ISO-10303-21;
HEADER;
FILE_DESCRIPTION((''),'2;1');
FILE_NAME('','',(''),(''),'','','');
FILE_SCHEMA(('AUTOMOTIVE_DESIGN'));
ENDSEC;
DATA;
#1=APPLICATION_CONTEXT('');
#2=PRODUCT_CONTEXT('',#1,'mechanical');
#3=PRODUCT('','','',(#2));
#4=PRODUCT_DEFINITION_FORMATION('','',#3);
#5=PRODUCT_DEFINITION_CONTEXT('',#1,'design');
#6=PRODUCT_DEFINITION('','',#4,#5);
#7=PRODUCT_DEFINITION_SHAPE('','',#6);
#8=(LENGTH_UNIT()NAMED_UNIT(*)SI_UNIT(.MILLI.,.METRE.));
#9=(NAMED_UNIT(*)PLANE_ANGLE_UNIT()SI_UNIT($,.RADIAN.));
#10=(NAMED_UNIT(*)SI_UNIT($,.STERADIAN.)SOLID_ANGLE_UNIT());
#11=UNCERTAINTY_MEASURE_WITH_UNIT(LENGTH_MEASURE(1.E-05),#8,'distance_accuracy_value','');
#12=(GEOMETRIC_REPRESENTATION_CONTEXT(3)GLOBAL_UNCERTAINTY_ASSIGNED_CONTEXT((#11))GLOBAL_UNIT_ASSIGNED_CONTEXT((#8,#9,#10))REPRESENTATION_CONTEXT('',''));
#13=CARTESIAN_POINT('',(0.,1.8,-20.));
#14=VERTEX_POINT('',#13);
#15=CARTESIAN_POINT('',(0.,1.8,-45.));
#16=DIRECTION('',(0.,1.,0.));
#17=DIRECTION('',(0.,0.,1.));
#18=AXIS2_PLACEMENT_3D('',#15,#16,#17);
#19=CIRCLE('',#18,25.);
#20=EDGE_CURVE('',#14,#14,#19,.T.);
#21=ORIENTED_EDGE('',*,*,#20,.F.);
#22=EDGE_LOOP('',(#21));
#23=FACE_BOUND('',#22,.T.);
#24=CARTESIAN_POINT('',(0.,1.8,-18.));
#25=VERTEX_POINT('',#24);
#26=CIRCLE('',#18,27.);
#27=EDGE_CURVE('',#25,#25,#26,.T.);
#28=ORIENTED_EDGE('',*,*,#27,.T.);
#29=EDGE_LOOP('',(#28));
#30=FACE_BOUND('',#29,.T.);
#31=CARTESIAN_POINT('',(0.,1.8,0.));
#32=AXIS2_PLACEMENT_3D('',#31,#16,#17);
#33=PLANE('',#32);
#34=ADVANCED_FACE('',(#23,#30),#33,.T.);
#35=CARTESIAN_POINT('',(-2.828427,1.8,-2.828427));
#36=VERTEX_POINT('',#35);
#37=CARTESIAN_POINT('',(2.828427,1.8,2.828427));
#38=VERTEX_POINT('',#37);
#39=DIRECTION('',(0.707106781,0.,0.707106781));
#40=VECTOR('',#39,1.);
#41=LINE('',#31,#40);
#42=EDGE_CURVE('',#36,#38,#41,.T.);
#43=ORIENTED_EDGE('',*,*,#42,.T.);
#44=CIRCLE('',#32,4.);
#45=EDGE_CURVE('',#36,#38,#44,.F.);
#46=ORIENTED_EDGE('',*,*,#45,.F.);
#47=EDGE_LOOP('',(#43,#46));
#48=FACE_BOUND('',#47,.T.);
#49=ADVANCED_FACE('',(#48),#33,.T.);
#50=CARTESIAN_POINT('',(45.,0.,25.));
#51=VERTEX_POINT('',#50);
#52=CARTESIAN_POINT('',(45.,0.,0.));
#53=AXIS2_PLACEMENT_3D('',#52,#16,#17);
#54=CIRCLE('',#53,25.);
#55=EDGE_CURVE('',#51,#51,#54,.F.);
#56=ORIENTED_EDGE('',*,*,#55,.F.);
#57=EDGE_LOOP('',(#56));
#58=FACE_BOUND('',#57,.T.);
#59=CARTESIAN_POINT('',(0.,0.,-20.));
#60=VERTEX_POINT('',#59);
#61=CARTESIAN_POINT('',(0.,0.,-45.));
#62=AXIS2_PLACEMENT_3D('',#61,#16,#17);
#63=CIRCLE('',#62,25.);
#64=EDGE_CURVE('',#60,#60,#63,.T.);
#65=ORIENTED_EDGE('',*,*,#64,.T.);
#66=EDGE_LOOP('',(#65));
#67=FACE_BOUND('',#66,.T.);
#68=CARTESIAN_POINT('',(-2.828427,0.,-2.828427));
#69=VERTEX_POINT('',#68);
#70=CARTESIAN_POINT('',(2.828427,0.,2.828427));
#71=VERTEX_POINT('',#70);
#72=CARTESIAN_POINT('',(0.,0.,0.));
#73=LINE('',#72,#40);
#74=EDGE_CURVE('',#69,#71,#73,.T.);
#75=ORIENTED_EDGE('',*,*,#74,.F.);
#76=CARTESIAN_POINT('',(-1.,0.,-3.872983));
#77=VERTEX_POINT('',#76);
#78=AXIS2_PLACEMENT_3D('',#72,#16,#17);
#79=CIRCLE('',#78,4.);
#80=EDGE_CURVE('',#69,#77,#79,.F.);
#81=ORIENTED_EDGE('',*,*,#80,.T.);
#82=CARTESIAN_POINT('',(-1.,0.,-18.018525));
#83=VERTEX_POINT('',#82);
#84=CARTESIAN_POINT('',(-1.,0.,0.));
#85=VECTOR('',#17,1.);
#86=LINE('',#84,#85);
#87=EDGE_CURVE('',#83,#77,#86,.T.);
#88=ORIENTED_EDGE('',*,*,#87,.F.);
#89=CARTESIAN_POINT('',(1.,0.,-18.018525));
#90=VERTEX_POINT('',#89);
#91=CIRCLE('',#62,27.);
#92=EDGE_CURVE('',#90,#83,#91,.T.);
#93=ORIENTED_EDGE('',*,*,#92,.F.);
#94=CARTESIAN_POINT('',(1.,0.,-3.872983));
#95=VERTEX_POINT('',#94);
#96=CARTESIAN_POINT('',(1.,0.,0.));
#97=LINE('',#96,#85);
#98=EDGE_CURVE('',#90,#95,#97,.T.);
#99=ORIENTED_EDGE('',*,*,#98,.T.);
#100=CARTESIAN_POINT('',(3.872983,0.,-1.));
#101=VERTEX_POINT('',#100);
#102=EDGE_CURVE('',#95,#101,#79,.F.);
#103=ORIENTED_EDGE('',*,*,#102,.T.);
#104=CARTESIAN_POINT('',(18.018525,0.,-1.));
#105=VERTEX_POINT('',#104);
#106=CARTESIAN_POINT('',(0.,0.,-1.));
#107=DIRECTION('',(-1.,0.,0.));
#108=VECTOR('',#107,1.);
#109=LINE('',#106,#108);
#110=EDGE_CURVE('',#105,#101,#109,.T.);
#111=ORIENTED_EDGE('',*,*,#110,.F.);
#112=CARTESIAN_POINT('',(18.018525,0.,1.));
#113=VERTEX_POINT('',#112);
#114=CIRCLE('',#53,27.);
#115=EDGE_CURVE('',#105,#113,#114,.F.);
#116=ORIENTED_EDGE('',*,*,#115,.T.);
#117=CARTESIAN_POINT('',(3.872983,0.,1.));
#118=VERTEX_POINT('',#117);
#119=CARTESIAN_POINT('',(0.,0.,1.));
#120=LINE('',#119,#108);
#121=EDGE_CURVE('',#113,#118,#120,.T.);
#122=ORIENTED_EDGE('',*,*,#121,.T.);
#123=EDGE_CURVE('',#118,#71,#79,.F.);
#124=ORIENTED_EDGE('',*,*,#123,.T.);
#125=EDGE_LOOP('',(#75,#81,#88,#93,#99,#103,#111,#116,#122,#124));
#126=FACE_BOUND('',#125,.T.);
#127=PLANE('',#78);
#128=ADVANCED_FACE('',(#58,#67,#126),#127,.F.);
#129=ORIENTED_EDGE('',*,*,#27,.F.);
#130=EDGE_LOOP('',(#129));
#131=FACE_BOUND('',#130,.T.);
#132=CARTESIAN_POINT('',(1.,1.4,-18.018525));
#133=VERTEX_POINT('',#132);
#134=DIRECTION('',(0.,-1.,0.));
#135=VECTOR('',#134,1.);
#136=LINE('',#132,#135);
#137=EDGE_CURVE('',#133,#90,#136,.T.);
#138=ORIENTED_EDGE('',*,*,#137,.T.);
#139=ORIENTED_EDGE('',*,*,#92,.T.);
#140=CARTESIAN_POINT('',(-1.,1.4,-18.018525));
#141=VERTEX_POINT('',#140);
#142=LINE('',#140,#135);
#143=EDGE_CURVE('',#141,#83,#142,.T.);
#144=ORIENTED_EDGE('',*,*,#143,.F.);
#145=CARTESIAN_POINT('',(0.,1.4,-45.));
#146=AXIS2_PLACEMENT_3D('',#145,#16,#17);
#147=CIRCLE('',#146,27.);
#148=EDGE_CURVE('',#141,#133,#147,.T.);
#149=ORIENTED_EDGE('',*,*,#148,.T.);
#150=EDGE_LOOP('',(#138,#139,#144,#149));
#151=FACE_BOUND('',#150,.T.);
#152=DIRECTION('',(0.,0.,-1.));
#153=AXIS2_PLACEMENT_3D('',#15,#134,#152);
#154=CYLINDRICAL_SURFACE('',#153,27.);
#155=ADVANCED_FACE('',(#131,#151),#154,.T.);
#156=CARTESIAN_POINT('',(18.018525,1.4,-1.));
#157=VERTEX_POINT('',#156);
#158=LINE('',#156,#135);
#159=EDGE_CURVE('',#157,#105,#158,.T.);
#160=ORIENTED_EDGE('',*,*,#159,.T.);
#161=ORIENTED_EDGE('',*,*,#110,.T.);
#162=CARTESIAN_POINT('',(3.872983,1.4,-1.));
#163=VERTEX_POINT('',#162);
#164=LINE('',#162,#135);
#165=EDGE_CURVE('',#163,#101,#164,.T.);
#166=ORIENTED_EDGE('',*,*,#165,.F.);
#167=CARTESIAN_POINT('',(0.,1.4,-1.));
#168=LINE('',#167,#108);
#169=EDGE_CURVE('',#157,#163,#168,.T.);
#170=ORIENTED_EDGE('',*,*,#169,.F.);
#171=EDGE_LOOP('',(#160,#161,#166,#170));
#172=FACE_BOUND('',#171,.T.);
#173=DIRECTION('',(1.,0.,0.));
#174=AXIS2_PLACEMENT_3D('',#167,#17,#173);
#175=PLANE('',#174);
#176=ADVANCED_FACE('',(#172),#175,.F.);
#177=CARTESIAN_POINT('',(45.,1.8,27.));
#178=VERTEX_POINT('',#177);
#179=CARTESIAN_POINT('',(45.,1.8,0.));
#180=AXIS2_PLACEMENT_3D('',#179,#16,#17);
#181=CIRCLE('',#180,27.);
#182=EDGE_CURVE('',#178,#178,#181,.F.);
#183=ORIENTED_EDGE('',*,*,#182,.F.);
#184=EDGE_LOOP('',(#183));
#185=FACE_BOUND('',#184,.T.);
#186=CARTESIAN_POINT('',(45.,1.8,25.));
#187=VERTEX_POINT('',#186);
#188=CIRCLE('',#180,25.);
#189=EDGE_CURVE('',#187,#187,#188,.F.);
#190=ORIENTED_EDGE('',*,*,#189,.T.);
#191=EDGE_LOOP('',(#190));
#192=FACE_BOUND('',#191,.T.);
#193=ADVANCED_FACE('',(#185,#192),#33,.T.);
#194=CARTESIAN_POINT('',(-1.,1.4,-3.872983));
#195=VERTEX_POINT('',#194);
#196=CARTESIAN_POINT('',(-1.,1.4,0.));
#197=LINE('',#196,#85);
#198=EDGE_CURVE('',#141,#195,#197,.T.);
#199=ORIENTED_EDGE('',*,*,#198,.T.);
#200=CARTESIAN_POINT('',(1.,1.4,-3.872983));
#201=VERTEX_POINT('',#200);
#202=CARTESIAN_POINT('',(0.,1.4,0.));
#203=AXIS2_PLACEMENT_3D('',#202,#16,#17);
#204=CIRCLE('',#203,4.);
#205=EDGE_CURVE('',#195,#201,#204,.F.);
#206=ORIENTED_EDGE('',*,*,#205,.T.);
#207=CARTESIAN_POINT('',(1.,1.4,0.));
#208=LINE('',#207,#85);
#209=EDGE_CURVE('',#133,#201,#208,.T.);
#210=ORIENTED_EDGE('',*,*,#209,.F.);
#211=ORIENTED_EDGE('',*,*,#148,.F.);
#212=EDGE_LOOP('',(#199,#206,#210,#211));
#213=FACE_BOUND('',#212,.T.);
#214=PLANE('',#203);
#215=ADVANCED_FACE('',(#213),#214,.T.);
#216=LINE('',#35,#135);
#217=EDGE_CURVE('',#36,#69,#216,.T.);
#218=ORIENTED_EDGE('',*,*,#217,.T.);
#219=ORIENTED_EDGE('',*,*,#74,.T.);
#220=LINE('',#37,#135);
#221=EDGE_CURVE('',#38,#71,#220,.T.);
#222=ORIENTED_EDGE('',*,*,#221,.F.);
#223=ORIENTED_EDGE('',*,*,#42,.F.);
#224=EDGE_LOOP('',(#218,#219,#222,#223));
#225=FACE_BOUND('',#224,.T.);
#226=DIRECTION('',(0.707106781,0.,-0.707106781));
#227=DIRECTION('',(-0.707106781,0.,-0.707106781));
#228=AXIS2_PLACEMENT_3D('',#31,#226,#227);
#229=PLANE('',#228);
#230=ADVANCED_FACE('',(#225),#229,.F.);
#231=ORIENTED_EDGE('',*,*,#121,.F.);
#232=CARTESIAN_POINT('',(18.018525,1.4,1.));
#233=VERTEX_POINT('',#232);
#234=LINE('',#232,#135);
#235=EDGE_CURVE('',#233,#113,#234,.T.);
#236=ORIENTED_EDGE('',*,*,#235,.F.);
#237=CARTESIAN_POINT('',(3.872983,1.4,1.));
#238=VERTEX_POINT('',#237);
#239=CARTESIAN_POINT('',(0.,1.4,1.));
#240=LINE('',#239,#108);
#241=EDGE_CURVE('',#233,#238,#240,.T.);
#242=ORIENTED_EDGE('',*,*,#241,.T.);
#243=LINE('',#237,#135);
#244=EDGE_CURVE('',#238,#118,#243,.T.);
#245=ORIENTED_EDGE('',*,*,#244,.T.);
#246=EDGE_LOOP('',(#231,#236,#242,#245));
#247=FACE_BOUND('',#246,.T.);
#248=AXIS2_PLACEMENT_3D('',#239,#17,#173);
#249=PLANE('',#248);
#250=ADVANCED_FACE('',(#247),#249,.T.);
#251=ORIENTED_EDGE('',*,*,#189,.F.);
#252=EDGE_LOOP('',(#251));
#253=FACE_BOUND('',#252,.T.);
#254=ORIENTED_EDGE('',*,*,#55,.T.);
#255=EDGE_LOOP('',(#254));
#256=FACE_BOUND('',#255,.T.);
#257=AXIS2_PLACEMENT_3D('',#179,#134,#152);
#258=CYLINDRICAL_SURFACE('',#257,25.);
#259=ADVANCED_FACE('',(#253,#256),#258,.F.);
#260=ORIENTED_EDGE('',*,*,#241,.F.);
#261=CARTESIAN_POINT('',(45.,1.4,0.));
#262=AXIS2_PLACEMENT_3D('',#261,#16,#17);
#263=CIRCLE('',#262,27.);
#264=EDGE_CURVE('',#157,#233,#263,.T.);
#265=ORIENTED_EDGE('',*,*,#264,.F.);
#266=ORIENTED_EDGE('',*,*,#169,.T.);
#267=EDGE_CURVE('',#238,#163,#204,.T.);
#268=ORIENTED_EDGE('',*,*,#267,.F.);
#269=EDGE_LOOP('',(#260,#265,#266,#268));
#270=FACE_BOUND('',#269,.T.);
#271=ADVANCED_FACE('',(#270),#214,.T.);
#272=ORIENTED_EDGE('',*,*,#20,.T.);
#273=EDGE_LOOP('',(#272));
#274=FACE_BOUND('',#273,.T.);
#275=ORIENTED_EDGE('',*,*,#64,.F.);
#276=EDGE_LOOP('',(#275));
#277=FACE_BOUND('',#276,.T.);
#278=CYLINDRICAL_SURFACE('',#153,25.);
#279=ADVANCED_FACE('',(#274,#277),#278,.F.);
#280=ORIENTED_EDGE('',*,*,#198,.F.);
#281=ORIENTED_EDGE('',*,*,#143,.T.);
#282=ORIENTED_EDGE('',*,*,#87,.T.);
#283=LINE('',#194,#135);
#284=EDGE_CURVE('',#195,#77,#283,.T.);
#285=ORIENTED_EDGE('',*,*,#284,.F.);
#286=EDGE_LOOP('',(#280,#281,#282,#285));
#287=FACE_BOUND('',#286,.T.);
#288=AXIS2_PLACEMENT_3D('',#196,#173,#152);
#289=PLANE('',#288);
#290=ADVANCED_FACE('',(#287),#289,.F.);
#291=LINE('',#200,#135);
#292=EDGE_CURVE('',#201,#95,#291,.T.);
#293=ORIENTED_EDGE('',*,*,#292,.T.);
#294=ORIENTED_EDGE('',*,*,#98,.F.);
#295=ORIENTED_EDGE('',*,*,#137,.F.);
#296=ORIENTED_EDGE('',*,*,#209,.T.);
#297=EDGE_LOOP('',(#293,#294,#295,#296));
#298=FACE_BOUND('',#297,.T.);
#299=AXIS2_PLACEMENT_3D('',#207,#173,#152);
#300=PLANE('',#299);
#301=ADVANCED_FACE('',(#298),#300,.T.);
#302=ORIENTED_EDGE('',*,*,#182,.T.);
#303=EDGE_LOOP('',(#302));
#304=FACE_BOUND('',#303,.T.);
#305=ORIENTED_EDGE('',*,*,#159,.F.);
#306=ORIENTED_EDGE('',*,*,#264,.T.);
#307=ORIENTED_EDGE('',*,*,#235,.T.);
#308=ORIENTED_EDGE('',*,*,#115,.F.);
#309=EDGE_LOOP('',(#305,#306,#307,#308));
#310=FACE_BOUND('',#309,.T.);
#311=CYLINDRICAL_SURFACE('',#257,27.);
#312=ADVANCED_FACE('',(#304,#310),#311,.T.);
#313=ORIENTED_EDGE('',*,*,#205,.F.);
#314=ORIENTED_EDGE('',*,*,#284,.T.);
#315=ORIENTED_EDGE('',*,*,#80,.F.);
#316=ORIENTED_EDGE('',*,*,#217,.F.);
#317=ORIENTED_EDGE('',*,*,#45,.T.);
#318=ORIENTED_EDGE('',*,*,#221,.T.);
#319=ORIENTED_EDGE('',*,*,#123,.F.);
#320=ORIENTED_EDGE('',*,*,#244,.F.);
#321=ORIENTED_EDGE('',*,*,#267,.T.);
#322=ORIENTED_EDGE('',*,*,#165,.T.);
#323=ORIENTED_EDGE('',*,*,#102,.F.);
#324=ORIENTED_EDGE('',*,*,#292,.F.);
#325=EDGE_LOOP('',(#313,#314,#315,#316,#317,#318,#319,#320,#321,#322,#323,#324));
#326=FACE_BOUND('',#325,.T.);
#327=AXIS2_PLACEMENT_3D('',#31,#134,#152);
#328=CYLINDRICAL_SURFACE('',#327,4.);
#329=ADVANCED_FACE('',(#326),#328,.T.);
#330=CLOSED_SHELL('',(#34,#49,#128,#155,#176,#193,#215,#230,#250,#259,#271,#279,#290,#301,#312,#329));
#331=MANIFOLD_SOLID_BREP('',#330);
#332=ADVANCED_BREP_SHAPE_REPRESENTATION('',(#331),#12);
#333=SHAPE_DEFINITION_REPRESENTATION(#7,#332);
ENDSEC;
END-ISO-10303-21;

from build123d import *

# Parameters (mm, degrees)
BOSS_EXTRUDE1_DEPTH   = 1.8
SKETCH1_R             = 27
SKETCH1_R_2           = 25
BOSS_EXTRUDE1_2_DEPTH = 1.8
BOSS_EXTRUDE1_3_DEPTH = 1.8
BOSS_EXTRUDE2_DEPTH   = 1.4


with BuildPart() as part:
    # Sketch1 → Boss-Extrude1 (new body)
    with BuildSketch(Plane(origin=(0, 0, 0), x_dir=(1, 0, 0), z_dir=(0, 1, 0))):
        with BuildLine():
            ThreePointArc((2.828427125, -2.828427125), (2.828427125, 2.828427125), (-2.828427125, 2.828427125))
            Line((-2.828427125, 2.828427125), (2.828427125, -2.828427125))
        make_face()
    extrude(amount=BOSS_EXTRUDE1_DEPTH)



with BuildPart() as body_2:
    # Sketch1 → Boss-Extrude1 2 (new body)
    with BuildSketch(Plane(origin=(0, 0, 0), x_dir=(1, 0, 0), z_dir=(0, 1, 0))):
        with Locations((0, 45)):
            Circle(SKETCH1_R)
        with Locations((0, 45)):
            Circle(SKETCH1_R_2, mode=Mode.SUBTRACT)
    extrude(amount=BOSS_EXTRUDE1_2_DEPTH)


with BuildPart() as body_3:
    # Sketch1 → Boss-Extrude1 3 (new body)
    with BuildSketch(Plane(origin=(0, 0, 0), x_dir=(1, 0, 0), z_dir=(0, 1, 0))):
        with Locations((45, 0)):
            Circle(SKETCH1_R)
        with Locations((45, 0)):
            Circle(SKETCH1_R_2, mode=Mode.SUBTRACT)
    extrude(amount=BOSS_EXTRUDE1_3_DEPTH)


with BuildPart() as part_1:
    add(part.part)

    add(body_2.part)  # Boss-Extrude2 merges body 2

    add(body_3.part)  # Boss-Extrude2 merges body 3
    # Sketch1<3> → Boss-Extrude2 (add)
    with BuildSketch(Plane(origin=(0, 0, 0), x_dir=(1, 0, 0), z_dir=(0, 1, 0))):
        with BuildLine():
            Line((-1, 18.018524874), (-1, 3.872983346))
            ThreePointArc((-1, 3.872983346), (0, 4), (1, 3.872983346))
            Line((1, 3.872983346), (1, 18.018524874))
            ThreePointArc((1, 18.018524874), (0, 18), (-1, 18.018524874))
        make_face()
        with BuildLine():
            ThreePointArc((3.872983346, 1), (4, 0), (3.872983346, -1))
            Line((3.872983346, -1), (18.018524874, -1))
            ThreePointArc((18.018524874, -1), (18, 0), (18.018524874, 1))
            Line((18.018524874, 1), (3.872983346, 1))
        make_face()
    extrude(amount=BOSS_EXTRUDE2_DEPTH)


solid = part_1.part
